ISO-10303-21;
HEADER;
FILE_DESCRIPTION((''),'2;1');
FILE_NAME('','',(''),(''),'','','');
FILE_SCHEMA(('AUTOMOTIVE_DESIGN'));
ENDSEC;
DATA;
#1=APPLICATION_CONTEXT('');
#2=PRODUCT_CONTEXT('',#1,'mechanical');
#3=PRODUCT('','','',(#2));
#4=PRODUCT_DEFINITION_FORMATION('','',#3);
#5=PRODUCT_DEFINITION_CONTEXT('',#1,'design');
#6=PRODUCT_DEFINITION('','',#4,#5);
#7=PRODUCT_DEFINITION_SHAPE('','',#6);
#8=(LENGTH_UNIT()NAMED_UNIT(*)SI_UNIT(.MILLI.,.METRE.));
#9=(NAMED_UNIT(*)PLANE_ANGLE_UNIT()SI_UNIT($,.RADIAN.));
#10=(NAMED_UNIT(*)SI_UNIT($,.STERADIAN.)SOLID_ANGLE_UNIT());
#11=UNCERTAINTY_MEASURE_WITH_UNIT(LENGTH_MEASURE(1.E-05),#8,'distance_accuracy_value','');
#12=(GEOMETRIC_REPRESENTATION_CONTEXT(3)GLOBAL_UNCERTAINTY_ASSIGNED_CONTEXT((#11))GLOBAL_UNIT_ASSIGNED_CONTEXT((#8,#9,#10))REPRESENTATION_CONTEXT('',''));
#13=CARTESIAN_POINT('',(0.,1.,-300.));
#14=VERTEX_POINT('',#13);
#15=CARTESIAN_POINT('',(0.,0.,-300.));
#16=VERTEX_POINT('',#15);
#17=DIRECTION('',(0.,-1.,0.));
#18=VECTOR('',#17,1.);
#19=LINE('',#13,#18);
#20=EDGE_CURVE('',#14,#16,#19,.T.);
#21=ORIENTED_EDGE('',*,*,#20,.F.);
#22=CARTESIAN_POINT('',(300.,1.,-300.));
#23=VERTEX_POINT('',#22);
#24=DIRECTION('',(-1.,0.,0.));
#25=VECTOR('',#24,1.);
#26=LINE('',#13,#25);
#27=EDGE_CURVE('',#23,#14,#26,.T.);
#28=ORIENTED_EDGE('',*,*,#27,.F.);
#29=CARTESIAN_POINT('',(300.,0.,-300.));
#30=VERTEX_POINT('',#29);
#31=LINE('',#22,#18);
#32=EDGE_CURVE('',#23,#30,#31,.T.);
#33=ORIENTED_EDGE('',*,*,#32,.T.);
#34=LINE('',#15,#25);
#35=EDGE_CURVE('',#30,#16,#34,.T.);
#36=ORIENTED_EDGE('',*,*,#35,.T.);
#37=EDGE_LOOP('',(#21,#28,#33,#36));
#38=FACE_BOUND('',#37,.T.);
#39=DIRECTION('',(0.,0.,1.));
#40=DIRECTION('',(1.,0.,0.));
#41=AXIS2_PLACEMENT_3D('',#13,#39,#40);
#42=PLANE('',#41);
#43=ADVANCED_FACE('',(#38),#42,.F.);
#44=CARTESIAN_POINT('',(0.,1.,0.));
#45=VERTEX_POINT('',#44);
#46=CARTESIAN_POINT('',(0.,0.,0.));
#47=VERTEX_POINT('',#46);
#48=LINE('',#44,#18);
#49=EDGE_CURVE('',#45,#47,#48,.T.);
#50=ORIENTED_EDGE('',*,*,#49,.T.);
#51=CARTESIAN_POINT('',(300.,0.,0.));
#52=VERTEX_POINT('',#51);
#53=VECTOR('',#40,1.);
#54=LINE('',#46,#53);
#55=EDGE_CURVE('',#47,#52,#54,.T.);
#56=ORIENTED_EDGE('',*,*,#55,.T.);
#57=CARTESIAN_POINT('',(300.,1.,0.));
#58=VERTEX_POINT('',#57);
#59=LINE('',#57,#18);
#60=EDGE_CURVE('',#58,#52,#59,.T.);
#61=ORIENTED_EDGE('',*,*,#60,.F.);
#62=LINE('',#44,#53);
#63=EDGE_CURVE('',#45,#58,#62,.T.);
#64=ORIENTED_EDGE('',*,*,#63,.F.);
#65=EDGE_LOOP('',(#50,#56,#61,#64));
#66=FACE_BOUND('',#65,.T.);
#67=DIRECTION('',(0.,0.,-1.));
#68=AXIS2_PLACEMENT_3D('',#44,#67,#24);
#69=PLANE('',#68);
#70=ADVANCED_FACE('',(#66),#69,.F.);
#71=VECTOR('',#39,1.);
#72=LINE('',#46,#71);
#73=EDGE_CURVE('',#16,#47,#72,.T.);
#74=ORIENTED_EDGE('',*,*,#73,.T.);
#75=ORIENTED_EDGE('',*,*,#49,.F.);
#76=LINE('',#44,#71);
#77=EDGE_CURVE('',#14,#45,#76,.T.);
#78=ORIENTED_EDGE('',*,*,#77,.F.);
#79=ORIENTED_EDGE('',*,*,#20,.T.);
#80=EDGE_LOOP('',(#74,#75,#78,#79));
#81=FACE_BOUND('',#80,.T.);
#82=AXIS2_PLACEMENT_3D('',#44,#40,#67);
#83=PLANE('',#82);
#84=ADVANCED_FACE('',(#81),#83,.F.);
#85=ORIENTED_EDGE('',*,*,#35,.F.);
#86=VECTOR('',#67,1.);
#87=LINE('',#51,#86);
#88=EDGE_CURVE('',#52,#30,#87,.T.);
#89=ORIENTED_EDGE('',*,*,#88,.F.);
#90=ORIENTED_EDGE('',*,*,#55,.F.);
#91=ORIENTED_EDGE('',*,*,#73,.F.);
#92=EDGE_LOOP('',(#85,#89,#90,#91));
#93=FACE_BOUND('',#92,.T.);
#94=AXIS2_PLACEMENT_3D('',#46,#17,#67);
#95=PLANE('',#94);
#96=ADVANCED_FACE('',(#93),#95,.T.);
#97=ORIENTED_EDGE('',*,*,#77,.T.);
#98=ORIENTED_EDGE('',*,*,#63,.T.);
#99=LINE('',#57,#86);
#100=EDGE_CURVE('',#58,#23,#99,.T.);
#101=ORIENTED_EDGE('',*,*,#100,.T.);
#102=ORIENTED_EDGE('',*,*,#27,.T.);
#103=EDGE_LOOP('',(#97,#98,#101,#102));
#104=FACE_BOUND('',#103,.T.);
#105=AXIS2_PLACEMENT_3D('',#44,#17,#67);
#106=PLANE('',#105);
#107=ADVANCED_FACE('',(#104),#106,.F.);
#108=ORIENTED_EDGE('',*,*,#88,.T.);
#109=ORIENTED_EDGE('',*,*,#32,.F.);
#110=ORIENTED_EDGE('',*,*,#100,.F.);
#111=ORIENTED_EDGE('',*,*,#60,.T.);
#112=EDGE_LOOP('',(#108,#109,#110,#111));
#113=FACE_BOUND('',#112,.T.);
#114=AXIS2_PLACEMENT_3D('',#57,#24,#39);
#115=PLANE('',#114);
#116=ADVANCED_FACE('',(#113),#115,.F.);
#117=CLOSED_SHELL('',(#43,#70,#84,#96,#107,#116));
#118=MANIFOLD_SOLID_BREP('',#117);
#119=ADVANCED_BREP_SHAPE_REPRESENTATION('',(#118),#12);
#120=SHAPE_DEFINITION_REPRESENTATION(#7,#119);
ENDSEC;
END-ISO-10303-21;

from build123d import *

# Parameters (mm, degrees)
SKETCH_1_W      = 300
SKETCH_1_H      = 300
EXTRUDE_1_DEPTH = 1


with BuildPart() as part:
    # 草图1 → 凸台-拉伸1 (new body)
    with BuildSketch(Plane(origin=(0, 0, 0), x_dir=(1, 0, 0), z_dir=(0, 1, 0))):
        with Locations((150, 150)):
            Rectangle(SKETCH_1_W, SKETCH_1_H)
    extrude(amount=EXTRUDE_1_DEPTH)


solid = part.part
